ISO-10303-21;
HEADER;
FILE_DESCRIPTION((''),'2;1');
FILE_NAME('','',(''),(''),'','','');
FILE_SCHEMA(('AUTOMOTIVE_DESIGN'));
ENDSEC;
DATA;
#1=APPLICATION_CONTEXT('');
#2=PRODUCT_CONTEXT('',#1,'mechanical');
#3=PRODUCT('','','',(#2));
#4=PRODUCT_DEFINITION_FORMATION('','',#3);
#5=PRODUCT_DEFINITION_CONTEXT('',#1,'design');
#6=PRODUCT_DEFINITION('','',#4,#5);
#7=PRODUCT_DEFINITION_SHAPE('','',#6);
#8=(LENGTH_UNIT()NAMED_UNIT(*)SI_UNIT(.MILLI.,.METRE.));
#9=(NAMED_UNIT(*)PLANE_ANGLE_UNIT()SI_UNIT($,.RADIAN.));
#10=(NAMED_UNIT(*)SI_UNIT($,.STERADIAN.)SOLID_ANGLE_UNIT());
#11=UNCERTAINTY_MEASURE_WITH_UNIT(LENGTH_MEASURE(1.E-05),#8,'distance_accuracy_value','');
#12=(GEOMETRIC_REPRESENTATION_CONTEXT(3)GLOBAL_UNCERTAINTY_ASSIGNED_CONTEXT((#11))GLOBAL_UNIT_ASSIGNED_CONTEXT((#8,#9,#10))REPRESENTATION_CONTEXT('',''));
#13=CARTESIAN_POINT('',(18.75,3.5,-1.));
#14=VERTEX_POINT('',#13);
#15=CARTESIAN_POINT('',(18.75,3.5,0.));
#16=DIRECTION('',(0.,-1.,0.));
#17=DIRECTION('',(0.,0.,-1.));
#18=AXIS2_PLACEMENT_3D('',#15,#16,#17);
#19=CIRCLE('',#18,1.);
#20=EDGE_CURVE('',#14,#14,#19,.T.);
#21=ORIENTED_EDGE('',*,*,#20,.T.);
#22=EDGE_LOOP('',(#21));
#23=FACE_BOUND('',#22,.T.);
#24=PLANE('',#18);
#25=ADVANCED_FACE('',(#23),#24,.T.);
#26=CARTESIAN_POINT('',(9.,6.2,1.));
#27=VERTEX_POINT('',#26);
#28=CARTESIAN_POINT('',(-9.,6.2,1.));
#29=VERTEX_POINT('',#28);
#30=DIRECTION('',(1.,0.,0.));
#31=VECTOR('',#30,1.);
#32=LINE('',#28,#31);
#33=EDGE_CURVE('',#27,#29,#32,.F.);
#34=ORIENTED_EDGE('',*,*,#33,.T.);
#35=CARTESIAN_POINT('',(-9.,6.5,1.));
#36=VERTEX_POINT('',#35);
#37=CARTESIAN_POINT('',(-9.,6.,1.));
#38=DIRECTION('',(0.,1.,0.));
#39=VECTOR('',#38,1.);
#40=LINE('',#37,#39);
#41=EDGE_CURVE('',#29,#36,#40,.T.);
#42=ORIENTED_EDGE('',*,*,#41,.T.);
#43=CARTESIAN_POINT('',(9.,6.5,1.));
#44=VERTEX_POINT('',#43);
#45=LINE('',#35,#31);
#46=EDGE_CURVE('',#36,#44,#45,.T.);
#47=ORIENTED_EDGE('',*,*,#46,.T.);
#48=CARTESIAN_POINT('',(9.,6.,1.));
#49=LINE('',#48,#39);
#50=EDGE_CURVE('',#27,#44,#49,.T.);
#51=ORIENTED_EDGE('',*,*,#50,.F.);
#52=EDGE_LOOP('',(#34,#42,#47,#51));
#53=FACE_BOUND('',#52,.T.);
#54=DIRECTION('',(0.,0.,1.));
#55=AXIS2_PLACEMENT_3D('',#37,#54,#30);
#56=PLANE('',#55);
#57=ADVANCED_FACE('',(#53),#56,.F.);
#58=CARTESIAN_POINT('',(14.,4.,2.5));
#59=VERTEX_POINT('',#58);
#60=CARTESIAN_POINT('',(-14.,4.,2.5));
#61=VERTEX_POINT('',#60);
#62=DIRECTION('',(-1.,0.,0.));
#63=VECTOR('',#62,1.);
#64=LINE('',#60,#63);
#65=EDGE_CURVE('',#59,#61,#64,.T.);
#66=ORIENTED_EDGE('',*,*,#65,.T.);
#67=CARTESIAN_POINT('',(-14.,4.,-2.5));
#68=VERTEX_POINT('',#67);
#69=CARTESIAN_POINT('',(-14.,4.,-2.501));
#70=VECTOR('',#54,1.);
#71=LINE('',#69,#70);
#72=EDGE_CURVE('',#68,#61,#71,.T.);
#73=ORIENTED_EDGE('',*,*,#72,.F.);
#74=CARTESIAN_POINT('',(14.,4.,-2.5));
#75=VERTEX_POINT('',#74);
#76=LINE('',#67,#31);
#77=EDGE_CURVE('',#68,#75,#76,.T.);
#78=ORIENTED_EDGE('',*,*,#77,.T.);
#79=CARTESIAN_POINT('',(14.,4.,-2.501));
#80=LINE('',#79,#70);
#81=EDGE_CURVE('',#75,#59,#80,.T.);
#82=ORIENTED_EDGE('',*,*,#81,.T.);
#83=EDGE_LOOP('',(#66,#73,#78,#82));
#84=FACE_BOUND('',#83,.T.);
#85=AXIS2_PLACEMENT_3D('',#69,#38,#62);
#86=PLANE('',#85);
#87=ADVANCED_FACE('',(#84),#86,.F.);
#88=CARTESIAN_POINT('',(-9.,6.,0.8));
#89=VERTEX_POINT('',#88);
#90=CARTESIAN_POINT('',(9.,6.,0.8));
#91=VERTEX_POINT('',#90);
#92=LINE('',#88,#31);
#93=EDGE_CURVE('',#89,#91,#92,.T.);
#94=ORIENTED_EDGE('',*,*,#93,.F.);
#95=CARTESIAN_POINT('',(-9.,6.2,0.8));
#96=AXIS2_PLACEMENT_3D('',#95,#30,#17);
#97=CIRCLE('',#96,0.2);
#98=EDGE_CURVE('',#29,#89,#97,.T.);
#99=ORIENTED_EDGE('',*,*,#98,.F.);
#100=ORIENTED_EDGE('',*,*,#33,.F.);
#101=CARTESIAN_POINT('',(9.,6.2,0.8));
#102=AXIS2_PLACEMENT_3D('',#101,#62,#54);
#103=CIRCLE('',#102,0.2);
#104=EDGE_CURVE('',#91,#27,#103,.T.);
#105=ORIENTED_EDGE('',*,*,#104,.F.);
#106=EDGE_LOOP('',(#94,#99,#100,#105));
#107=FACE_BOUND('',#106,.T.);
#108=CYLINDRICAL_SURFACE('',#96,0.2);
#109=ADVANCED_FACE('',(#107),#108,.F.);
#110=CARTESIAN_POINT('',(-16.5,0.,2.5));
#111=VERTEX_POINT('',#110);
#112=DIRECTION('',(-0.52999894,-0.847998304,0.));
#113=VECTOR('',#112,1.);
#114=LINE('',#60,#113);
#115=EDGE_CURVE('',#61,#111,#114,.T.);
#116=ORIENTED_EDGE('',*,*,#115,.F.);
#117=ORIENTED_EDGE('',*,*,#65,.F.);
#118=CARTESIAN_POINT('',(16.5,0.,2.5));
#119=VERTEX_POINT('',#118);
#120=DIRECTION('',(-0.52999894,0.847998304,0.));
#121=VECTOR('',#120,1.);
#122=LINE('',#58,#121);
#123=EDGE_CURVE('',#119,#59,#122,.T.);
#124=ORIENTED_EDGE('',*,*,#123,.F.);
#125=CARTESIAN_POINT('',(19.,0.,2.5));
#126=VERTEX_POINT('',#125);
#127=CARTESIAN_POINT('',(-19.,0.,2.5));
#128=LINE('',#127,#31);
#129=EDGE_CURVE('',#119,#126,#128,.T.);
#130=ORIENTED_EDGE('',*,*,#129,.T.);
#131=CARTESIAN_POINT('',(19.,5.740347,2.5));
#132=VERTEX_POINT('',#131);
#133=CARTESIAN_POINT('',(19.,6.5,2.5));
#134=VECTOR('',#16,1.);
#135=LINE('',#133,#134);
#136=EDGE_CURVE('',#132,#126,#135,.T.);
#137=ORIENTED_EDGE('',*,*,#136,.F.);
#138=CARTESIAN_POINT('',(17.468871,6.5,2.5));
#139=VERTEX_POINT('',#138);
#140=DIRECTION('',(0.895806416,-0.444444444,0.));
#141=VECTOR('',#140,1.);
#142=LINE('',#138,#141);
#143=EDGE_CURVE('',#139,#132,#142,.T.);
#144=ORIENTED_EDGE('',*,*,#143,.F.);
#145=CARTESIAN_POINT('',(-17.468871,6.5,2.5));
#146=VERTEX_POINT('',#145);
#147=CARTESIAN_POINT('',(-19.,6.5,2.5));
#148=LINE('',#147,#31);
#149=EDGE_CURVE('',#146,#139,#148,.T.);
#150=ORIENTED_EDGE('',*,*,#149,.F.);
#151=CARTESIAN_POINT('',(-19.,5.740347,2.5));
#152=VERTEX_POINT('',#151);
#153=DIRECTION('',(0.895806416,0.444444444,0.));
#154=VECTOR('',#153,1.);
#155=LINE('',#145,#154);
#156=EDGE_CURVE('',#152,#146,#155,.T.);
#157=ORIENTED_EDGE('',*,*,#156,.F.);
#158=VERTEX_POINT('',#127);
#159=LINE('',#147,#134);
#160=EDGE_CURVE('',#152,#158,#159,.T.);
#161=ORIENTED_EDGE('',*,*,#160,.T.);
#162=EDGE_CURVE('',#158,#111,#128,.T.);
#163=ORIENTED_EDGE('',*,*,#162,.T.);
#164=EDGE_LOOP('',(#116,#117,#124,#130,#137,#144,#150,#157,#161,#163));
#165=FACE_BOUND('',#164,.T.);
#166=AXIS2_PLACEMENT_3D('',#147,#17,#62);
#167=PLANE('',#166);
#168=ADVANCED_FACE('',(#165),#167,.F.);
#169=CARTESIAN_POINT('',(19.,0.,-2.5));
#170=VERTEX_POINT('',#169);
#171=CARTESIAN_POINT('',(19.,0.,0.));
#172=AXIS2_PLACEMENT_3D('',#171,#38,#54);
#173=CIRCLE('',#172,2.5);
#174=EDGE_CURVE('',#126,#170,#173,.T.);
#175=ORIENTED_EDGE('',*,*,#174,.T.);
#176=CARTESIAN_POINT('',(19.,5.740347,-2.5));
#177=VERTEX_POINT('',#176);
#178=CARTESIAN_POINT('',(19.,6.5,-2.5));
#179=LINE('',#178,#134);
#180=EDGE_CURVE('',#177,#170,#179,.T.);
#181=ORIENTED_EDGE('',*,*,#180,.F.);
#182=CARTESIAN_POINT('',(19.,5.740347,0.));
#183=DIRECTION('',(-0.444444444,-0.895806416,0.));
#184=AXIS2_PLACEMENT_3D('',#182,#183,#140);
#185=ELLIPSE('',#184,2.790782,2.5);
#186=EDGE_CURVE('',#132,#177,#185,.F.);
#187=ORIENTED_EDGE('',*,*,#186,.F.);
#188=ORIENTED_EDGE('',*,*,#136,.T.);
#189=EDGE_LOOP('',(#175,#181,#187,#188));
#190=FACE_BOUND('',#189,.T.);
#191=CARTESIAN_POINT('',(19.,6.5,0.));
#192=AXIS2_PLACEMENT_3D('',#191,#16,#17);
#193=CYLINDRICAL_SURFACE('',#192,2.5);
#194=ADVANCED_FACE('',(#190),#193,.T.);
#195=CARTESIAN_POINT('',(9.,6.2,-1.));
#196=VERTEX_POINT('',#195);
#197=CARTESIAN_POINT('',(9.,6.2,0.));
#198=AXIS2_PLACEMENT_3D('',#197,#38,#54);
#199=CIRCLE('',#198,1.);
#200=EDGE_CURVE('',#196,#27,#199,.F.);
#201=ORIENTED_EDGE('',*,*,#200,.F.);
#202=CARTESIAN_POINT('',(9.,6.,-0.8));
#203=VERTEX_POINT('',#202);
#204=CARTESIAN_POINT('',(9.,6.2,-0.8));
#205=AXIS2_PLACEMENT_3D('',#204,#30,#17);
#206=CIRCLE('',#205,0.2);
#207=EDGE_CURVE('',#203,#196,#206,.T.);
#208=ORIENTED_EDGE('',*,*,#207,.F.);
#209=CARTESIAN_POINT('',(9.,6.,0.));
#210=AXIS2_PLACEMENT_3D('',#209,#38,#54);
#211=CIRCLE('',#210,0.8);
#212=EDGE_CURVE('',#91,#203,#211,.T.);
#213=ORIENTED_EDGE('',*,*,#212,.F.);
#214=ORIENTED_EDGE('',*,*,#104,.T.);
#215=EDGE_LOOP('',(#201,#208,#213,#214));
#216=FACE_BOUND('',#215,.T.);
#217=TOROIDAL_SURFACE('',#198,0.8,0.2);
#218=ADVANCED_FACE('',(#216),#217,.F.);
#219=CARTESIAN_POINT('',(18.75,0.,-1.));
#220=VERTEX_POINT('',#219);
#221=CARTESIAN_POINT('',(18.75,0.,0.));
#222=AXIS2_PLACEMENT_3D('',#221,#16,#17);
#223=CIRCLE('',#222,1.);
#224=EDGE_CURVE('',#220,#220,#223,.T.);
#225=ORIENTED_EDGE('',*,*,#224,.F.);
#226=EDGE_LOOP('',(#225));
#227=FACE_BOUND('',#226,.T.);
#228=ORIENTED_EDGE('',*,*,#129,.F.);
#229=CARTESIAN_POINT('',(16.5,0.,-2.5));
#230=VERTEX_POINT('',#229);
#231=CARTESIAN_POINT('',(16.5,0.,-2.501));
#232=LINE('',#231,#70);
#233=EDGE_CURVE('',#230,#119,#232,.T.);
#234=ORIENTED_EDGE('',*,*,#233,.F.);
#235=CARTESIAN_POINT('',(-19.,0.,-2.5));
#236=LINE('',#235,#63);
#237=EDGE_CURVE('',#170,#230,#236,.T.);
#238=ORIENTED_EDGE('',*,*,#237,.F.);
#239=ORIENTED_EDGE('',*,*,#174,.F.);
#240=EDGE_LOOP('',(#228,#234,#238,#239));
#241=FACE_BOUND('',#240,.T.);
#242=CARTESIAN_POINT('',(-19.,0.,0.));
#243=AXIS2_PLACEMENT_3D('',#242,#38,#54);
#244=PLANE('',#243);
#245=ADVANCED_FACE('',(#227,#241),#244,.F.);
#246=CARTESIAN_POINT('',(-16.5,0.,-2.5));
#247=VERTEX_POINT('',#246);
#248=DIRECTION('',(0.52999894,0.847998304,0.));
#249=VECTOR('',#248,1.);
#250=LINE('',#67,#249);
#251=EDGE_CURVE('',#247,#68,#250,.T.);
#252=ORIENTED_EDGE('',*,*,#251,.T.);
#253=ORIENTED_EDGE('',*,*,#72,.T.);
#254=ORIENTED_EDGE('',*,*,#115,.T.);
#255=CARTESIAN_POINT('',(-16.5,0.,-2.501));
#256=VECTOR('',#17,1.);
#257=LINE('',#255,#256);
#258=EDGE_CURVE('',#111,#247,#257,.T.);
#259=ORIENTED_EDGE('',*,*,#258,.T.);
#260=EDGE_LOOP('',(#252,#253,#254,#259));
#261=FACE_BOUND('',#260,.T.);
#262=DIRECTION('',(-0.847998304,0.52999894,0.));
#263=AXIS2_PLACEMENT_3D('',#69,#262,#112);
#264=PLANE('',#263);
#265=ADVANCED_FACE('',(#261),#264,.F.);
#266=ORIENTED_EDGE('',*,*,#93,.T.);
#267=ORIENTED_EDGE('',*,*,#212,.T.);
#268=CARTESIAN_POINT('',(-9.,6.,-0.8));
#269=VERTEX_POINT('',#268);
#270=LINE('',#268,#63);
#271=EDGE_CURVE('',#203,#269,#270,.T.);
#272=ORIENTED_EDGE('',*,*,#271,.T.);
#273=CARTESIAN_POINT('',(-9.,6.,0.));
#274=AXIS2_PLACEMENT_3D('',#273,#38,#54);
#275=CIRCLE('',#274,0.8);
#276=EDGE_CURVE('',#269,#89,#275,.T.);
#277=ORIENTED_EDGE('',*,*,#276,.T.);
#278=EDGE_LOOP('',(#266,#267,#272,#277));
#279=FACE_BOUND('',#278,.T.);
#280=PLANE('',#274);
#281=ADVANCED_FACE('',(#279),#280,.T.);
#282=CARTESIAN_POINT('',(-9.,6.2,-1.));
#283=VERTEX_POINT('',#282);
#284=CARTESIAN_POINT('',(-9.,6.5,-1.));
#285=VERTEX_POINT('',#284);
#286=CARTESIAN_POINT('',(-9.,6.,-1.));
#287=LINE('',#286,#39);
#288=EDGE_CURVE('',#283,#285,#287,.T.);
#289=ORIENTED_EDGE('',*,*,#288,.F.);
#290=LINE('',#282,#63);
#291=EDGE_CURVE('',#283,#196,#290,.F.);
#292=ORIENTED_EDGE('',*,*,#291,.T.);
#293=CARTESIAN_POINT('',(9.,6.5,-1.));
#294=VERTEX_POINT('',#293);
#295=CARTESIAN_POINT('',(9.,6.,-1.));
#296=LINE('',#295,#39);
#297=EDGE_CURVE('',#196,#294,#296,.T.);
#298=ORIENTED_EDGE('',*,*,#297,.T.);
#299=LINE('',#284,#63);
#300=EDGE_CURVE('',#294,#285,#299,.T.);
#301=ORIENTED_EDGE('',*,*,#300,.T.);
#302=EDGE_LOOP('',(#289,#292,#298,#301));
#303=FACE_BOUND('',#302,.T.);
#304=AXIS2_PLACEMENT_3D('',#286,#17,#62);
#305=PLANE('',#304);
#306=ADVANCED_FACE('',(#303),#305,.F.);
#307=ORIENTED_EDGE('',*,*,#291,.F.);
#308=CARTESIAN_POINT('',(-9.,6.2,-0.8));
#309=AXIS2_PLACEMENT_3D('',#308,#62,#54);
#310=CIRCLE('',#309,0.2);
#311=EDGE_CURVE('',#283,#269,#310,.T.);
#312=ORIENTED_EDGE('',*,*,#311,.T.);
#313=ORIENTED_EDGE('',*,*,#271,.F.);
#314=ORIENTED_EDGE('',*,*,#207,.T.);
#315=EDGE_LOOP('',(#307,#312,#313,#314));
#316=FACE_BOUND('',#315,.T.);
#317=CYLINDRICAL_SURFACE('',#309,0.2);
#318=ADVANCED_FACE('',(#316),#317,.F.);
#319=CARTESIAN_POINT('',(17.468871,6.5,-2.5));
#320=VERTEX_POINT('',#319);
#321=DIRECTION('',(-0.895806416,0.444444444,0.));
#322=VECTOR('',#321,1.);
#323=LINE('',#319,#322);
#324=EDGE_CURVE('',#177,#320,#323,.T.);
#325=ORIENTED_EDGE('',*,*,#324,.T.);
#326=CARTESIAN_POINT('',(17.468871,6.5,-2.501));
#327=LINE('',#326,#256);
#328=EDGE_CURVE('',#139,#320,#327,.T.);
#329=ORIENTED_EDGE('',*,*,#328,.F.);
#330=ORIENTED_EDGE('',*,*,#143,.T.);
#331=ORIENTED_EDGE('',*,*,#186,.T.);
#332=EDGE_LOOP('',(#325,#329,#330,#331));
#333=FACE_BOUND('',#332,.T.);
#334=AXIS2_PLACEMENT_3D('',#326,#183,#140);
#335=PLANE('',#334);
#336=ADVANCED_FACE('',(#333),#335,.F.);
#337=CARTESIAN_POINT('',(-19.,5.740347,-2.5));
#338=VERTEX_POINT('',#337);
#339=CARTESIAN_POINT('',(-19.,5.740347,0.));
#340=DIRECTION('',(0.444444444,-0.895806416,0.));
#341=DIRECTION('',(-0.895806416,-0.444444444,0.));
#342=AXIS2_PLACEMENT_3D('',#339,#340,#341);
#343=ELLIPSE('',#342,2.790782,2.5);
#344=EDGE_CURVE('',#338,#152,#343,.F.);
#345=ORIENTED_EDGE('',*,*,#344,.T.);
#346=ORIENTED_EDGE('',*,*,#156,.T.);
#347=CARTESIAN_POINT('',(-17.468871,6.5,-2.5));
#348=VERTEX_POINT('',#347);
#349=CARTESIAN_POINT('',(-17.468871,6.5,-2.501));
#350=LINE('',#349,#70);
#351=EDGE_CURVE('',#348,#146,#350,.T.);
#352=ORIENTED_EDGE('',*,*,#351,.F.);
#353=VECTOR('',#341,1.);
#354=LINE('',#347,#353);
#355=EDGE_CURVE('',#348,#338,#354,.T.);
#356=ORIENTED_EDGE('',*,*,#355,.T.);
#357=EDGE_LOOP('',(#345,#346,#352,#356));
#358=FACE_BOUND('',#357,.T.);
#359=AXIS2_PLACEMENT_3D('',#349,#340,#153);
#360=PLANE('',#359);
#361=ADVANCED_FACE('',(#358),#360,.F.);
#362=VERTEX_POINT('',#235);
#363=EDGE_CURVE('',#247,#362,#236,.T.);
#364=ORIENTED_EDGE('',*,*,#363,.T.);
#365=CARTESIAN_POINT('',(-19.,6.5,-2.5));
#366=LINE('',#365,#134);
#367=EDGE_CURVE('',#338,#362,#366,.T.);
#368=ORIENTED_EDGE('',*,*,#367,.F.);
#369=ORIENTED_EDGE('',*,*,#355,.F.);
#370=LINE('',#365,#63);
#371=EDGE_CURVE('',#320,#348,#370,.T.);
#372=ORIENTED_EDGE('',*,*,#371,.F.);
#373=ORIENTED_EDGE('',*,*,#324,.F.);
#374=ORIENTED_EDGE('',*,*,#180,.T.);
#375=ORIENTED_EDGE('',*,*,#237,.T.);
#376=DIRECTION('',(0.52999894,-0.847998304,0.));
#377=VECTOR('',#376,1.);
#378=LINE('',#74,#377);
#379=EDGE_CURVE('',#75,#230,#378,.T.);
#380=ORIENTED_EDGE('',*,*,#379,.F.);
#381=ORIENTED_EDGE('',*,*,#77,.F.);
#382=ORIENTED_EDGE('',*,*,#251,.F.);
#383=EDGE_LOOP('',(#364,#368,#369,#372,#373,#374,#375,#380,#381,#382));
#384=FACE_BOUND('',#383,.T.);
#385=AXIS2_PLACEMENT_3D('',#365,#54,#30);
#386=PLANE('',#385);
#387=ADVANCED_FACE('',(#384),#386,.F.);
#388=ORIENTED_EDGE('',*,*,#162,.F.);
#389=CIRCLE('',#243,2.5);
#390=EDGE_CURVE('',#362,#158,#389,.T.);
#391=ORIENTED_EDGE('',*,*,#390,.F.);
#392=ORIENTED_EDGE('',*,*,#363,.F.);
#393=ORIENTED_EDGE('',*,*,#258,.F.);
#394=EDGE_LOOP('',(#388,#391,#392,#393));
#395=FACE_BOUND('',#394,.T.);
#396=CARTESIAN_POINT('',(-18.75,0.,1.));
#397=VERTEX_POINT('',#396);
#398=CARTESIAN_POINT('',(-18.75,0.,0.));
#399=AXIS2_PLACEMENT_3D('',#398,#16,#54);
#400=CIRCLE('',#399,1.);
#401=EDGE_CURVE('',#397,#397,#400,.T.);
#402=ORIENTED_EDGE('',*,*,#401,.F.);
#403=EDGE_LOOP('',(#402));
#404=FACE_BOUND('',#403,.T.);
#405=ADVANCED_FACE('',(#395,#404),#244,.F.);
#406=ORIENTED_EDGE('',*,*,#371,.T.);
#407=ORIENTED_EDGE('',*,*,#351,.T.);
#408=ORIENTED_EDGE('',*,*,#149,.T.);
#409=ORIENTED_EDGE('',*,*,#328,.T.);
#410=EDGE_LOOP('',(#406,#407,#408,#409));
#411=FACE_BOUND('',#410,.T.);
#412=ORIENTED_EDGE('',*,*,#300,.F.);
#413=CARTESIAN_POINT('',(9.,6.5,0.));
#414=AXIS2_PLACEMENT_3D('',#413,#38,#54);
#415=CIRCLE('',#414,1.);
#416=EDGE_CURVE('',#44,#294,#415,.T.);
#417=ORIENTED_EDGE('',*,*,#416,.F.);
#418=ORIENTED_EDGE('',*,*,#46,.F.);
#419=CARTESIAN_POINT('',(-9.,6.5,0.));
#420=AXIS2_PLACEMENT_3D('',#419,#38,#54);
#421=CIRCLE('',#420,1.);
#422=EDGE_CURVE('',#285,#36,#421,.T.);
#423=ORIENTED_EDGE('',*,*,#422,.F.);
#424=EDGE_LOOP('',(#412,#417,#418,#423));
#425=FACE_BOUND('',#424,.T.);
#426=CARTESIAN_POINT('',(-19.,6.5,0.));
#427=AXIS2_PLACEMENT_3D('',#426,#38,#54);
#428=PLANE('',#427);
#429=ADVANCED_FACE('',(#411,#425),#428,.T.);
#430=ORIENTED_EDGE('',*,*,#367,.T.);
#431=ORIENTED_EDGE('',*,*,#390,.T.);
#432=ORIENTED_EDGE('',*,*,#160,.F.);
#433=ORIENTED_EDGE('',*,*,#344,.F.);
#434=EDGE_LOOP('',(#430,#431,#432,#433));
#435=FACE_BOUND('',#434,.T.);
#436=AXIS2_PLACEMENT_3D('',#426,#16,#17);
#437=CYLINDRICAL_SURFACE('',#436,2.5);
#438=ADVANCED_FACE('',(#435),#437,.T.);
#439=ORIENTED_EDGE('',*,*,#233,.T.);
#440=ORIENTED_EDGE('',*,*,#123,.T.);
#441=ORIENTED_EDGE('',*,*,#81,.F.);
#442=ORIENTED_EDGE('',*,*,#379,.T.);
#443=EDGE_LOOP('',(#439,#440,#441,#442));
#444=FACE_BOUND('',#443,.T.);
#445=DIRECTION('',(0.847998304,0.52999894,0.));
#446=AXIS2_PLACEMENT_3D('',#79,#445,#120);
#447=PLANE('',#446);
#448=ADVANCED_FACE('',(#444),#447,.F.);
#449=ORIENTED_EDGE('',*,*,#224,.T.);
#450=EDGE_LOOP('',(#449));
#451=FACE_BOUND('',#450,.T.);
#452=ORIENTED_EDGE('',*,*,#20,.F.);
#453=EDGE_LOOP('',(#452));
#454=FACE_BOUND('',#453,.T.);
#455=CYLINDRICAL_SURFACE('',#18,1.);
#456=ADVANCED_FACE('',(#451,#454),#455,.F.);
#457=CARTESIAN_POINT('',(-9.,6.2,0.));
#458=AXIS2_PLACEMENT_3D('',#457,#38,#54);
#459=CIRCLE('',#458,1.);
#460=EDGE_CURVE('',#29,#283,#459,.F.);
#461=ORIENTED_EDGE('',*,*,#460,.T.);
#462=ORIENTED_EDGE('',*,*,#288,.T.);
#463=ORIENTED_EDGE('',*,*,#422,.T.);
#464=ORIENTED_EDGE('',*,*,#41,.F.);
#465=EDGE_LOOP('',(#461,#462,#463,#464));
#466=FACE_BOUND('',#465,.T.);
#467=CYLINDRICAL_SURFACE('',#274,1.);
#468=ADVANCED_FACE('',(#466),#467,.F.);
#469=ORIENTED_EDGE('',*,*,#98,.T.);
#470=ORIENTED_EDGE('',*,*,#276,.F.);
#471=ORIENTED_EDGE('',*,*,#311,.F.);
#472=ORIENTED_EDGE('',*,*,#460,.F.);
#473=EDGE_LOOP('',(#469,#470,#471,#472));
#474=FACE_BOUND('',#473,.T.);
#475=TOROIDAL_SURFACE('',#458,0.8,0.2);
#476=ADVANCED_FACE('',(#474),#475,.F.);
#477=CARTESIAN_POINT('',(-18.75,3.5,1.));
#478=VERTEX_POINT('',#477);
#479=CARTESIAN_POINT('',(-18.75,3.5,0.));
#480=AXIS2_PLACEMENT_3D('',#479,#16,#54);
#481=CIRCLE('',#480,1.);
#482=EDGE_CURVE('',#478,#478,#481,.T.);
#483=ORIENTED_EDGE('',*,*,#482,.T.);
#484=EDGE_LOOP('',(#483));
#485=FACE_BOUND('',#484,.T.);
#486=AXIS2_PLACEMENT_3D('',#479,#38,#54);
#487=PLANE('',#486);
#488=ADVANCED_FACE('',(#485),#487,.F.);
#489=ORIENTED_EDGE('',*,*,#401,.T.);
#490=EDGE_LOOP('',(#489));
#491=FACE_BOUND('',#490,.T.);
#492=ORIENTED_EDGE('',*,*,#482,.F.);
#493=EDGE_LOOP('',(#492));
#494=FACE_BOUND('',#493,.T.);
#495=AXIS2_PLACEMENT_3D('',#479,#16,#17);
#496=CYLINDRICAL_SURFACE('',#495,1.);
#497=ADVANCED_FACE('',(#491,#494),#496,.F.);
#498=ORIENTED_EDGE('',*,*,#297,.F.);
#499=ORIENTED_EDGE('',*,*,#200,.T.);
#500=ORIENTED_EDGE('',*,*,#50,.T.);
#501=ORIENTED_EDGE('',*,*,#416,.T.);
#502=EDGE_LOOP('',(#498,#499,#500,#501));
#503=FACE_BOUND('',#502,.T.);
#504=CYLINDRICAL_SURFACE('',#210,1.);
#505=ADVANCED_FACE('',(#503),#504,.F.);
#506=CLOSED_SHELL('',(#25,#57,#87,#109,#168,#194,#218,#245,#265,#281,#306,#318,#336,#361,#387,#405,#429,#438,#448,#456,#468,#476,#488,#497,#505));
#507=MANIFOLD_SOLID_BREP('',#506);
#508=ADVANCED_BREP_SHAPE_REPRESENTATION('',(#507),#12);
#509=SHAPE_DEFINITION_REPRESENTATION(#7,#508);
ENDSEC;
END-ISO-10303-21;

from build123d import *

# Parameters (mm, degrees)
EXTRUDE_1_DEPTH     = 6.5
CUT_EXTRUDE_1_REACH = 7
SKETCH_3_R          = 1
CUT_EXTRUDE_2_DEPTH = 3.5
CUT_EXTRUDE_3_DEPTH = 0.5
FILLET_1_R          = 0.2


with BuildPart() as part:
    # 草图1 → 凸台-拉伸1 (new body)
    with BuildSketch(Plane(origin=(0, 0, 0), x_dir=(1, 0, 0), z_dir=(0, 1, 0))):
        with BuildLine():
            Line((-19, 2.5), (19, 2.5))
            ThreePointArc((19, 2.5), (21.5, 0), (19, -2.5))
            Line((19, -2.5), (-19, -2.5))
            ThreePointArc((-19, -2.5), (-21.5, 0), (-19, 2.5))
        make_face()
    extrude(amount=EXTRUDE_1_DEPTH)

    # 草图2 → 切除-拉伸1 (cut, up to next)
    with BuildSketch(Plane.XY.offset(2.5), mode=Mode.PRIVATE) as cut_extrude_1_sk1:
        Polygon((17.468871126, 6.5), (21.5, 4.5), (21.5, 7.438332244), (17.468871126, 7.438332244), align=None)
    cut_extrude_1_tool1 = extrude(cut_extrude_1_sk1.sketch, amount=-CUT_EXTRUDE_1_REACH, mode=Mode.PRIVATE) & part.part
    add(cut_extrude_1_tool1.solids().sort_by_distance((19.83105, 6.383182, 2.5))[0], mode=Mode.SUBTRACT)
    # 草图2 → 切除-拉伸1 (cut, up to next)
    with BuildSketch(Plane.XY.offset(2.5), mode=Mode.PRIVATE) as cut_extrude_1_sk2:
        Polygon((14, 4), (16.5, 0), (16.5, -3.02965668), (-16.5, -3.02965668), (-16.5, 0), (-14, 4), align=None)
    cut_extrude_1_tool2 = extrude(cut_extrude_1_sk2.sketch, amount=-CUT_EXTRUDE_1_REACH, mode=Mode.PRIVATE) & part.part
    add(cut_extrude_1_tool2.solids().sort_by_distance((0, 0.386897, 2.5))[0], mode=Mode.SUBTRACT)
    # 草图2 → 切除-拉伸1 (cut, up to next)
    with BuildSketch(Plane.XY.offset(2.5), mode=Mode.PRIVATE) as cut_extrude_1_sk3:
        Polygon((-21.5, 7.438332244), (-17.468871126, 7.438332244), (-17.468871126, 6.5), (-21.5, 4.5), align=None)
    cut_extrude_1_tool3 = extrude(cut_extrude_1_sk3.sketch, amount=-CUT_EXTRUDE_1_REACH, mode=Mode.PRIVATE) & part.part
    add(cut_extrude_1_tool3.solids().sort_by_distance((-19.83105, 6.383182, 2.5))[0], mode=Mode.SUBTRACT)

    # 草图3 → 切除-拉伸2 (cut)
    with BuildSketch(Plane.XZ):
        with Locations((18.75, 0)):
            Circle(SKETCH_3_R)
        with Locations((-18.75, 0)):
            Circle(SKETCH_3_R)
    extrude(amount=-CUT_EXTRUDE_2_DEPTH, mode=Mode.SUBTRACT)

    # 草图4 → 切除-拉伸3 (cut)
    with BuildSketch(Plane(origin=(0, 6.5, 0), x_dir=(1, 0, 0), z_dir=(0, 1, 0))):
        with BuildLine():
            Line((-9, 1), (9, 1))
            ThreePointArc((9, 1), (10, 0), (9, -1))
            Line((9, -1), (-9, -1))
            ThreePointArc((-9, -1), (-10, 0), (-9, 1))
        make_face()
    extrude(amount=-CUT_EXTRUDE_3_DEPTH, mode=Mode.SUBTRACT)

    # 圆角1
    fillet_1_edges = [part.edges().sort_by_distance(p)[0] for p in [
        (-10, 6, 0),
        (0, 6, -1),
        (10, 6, 0),
        (0, 6, 1),
    ]]
    fillet(fillet_1_edges, radius=FILLET_1_R)


solid = part.part
